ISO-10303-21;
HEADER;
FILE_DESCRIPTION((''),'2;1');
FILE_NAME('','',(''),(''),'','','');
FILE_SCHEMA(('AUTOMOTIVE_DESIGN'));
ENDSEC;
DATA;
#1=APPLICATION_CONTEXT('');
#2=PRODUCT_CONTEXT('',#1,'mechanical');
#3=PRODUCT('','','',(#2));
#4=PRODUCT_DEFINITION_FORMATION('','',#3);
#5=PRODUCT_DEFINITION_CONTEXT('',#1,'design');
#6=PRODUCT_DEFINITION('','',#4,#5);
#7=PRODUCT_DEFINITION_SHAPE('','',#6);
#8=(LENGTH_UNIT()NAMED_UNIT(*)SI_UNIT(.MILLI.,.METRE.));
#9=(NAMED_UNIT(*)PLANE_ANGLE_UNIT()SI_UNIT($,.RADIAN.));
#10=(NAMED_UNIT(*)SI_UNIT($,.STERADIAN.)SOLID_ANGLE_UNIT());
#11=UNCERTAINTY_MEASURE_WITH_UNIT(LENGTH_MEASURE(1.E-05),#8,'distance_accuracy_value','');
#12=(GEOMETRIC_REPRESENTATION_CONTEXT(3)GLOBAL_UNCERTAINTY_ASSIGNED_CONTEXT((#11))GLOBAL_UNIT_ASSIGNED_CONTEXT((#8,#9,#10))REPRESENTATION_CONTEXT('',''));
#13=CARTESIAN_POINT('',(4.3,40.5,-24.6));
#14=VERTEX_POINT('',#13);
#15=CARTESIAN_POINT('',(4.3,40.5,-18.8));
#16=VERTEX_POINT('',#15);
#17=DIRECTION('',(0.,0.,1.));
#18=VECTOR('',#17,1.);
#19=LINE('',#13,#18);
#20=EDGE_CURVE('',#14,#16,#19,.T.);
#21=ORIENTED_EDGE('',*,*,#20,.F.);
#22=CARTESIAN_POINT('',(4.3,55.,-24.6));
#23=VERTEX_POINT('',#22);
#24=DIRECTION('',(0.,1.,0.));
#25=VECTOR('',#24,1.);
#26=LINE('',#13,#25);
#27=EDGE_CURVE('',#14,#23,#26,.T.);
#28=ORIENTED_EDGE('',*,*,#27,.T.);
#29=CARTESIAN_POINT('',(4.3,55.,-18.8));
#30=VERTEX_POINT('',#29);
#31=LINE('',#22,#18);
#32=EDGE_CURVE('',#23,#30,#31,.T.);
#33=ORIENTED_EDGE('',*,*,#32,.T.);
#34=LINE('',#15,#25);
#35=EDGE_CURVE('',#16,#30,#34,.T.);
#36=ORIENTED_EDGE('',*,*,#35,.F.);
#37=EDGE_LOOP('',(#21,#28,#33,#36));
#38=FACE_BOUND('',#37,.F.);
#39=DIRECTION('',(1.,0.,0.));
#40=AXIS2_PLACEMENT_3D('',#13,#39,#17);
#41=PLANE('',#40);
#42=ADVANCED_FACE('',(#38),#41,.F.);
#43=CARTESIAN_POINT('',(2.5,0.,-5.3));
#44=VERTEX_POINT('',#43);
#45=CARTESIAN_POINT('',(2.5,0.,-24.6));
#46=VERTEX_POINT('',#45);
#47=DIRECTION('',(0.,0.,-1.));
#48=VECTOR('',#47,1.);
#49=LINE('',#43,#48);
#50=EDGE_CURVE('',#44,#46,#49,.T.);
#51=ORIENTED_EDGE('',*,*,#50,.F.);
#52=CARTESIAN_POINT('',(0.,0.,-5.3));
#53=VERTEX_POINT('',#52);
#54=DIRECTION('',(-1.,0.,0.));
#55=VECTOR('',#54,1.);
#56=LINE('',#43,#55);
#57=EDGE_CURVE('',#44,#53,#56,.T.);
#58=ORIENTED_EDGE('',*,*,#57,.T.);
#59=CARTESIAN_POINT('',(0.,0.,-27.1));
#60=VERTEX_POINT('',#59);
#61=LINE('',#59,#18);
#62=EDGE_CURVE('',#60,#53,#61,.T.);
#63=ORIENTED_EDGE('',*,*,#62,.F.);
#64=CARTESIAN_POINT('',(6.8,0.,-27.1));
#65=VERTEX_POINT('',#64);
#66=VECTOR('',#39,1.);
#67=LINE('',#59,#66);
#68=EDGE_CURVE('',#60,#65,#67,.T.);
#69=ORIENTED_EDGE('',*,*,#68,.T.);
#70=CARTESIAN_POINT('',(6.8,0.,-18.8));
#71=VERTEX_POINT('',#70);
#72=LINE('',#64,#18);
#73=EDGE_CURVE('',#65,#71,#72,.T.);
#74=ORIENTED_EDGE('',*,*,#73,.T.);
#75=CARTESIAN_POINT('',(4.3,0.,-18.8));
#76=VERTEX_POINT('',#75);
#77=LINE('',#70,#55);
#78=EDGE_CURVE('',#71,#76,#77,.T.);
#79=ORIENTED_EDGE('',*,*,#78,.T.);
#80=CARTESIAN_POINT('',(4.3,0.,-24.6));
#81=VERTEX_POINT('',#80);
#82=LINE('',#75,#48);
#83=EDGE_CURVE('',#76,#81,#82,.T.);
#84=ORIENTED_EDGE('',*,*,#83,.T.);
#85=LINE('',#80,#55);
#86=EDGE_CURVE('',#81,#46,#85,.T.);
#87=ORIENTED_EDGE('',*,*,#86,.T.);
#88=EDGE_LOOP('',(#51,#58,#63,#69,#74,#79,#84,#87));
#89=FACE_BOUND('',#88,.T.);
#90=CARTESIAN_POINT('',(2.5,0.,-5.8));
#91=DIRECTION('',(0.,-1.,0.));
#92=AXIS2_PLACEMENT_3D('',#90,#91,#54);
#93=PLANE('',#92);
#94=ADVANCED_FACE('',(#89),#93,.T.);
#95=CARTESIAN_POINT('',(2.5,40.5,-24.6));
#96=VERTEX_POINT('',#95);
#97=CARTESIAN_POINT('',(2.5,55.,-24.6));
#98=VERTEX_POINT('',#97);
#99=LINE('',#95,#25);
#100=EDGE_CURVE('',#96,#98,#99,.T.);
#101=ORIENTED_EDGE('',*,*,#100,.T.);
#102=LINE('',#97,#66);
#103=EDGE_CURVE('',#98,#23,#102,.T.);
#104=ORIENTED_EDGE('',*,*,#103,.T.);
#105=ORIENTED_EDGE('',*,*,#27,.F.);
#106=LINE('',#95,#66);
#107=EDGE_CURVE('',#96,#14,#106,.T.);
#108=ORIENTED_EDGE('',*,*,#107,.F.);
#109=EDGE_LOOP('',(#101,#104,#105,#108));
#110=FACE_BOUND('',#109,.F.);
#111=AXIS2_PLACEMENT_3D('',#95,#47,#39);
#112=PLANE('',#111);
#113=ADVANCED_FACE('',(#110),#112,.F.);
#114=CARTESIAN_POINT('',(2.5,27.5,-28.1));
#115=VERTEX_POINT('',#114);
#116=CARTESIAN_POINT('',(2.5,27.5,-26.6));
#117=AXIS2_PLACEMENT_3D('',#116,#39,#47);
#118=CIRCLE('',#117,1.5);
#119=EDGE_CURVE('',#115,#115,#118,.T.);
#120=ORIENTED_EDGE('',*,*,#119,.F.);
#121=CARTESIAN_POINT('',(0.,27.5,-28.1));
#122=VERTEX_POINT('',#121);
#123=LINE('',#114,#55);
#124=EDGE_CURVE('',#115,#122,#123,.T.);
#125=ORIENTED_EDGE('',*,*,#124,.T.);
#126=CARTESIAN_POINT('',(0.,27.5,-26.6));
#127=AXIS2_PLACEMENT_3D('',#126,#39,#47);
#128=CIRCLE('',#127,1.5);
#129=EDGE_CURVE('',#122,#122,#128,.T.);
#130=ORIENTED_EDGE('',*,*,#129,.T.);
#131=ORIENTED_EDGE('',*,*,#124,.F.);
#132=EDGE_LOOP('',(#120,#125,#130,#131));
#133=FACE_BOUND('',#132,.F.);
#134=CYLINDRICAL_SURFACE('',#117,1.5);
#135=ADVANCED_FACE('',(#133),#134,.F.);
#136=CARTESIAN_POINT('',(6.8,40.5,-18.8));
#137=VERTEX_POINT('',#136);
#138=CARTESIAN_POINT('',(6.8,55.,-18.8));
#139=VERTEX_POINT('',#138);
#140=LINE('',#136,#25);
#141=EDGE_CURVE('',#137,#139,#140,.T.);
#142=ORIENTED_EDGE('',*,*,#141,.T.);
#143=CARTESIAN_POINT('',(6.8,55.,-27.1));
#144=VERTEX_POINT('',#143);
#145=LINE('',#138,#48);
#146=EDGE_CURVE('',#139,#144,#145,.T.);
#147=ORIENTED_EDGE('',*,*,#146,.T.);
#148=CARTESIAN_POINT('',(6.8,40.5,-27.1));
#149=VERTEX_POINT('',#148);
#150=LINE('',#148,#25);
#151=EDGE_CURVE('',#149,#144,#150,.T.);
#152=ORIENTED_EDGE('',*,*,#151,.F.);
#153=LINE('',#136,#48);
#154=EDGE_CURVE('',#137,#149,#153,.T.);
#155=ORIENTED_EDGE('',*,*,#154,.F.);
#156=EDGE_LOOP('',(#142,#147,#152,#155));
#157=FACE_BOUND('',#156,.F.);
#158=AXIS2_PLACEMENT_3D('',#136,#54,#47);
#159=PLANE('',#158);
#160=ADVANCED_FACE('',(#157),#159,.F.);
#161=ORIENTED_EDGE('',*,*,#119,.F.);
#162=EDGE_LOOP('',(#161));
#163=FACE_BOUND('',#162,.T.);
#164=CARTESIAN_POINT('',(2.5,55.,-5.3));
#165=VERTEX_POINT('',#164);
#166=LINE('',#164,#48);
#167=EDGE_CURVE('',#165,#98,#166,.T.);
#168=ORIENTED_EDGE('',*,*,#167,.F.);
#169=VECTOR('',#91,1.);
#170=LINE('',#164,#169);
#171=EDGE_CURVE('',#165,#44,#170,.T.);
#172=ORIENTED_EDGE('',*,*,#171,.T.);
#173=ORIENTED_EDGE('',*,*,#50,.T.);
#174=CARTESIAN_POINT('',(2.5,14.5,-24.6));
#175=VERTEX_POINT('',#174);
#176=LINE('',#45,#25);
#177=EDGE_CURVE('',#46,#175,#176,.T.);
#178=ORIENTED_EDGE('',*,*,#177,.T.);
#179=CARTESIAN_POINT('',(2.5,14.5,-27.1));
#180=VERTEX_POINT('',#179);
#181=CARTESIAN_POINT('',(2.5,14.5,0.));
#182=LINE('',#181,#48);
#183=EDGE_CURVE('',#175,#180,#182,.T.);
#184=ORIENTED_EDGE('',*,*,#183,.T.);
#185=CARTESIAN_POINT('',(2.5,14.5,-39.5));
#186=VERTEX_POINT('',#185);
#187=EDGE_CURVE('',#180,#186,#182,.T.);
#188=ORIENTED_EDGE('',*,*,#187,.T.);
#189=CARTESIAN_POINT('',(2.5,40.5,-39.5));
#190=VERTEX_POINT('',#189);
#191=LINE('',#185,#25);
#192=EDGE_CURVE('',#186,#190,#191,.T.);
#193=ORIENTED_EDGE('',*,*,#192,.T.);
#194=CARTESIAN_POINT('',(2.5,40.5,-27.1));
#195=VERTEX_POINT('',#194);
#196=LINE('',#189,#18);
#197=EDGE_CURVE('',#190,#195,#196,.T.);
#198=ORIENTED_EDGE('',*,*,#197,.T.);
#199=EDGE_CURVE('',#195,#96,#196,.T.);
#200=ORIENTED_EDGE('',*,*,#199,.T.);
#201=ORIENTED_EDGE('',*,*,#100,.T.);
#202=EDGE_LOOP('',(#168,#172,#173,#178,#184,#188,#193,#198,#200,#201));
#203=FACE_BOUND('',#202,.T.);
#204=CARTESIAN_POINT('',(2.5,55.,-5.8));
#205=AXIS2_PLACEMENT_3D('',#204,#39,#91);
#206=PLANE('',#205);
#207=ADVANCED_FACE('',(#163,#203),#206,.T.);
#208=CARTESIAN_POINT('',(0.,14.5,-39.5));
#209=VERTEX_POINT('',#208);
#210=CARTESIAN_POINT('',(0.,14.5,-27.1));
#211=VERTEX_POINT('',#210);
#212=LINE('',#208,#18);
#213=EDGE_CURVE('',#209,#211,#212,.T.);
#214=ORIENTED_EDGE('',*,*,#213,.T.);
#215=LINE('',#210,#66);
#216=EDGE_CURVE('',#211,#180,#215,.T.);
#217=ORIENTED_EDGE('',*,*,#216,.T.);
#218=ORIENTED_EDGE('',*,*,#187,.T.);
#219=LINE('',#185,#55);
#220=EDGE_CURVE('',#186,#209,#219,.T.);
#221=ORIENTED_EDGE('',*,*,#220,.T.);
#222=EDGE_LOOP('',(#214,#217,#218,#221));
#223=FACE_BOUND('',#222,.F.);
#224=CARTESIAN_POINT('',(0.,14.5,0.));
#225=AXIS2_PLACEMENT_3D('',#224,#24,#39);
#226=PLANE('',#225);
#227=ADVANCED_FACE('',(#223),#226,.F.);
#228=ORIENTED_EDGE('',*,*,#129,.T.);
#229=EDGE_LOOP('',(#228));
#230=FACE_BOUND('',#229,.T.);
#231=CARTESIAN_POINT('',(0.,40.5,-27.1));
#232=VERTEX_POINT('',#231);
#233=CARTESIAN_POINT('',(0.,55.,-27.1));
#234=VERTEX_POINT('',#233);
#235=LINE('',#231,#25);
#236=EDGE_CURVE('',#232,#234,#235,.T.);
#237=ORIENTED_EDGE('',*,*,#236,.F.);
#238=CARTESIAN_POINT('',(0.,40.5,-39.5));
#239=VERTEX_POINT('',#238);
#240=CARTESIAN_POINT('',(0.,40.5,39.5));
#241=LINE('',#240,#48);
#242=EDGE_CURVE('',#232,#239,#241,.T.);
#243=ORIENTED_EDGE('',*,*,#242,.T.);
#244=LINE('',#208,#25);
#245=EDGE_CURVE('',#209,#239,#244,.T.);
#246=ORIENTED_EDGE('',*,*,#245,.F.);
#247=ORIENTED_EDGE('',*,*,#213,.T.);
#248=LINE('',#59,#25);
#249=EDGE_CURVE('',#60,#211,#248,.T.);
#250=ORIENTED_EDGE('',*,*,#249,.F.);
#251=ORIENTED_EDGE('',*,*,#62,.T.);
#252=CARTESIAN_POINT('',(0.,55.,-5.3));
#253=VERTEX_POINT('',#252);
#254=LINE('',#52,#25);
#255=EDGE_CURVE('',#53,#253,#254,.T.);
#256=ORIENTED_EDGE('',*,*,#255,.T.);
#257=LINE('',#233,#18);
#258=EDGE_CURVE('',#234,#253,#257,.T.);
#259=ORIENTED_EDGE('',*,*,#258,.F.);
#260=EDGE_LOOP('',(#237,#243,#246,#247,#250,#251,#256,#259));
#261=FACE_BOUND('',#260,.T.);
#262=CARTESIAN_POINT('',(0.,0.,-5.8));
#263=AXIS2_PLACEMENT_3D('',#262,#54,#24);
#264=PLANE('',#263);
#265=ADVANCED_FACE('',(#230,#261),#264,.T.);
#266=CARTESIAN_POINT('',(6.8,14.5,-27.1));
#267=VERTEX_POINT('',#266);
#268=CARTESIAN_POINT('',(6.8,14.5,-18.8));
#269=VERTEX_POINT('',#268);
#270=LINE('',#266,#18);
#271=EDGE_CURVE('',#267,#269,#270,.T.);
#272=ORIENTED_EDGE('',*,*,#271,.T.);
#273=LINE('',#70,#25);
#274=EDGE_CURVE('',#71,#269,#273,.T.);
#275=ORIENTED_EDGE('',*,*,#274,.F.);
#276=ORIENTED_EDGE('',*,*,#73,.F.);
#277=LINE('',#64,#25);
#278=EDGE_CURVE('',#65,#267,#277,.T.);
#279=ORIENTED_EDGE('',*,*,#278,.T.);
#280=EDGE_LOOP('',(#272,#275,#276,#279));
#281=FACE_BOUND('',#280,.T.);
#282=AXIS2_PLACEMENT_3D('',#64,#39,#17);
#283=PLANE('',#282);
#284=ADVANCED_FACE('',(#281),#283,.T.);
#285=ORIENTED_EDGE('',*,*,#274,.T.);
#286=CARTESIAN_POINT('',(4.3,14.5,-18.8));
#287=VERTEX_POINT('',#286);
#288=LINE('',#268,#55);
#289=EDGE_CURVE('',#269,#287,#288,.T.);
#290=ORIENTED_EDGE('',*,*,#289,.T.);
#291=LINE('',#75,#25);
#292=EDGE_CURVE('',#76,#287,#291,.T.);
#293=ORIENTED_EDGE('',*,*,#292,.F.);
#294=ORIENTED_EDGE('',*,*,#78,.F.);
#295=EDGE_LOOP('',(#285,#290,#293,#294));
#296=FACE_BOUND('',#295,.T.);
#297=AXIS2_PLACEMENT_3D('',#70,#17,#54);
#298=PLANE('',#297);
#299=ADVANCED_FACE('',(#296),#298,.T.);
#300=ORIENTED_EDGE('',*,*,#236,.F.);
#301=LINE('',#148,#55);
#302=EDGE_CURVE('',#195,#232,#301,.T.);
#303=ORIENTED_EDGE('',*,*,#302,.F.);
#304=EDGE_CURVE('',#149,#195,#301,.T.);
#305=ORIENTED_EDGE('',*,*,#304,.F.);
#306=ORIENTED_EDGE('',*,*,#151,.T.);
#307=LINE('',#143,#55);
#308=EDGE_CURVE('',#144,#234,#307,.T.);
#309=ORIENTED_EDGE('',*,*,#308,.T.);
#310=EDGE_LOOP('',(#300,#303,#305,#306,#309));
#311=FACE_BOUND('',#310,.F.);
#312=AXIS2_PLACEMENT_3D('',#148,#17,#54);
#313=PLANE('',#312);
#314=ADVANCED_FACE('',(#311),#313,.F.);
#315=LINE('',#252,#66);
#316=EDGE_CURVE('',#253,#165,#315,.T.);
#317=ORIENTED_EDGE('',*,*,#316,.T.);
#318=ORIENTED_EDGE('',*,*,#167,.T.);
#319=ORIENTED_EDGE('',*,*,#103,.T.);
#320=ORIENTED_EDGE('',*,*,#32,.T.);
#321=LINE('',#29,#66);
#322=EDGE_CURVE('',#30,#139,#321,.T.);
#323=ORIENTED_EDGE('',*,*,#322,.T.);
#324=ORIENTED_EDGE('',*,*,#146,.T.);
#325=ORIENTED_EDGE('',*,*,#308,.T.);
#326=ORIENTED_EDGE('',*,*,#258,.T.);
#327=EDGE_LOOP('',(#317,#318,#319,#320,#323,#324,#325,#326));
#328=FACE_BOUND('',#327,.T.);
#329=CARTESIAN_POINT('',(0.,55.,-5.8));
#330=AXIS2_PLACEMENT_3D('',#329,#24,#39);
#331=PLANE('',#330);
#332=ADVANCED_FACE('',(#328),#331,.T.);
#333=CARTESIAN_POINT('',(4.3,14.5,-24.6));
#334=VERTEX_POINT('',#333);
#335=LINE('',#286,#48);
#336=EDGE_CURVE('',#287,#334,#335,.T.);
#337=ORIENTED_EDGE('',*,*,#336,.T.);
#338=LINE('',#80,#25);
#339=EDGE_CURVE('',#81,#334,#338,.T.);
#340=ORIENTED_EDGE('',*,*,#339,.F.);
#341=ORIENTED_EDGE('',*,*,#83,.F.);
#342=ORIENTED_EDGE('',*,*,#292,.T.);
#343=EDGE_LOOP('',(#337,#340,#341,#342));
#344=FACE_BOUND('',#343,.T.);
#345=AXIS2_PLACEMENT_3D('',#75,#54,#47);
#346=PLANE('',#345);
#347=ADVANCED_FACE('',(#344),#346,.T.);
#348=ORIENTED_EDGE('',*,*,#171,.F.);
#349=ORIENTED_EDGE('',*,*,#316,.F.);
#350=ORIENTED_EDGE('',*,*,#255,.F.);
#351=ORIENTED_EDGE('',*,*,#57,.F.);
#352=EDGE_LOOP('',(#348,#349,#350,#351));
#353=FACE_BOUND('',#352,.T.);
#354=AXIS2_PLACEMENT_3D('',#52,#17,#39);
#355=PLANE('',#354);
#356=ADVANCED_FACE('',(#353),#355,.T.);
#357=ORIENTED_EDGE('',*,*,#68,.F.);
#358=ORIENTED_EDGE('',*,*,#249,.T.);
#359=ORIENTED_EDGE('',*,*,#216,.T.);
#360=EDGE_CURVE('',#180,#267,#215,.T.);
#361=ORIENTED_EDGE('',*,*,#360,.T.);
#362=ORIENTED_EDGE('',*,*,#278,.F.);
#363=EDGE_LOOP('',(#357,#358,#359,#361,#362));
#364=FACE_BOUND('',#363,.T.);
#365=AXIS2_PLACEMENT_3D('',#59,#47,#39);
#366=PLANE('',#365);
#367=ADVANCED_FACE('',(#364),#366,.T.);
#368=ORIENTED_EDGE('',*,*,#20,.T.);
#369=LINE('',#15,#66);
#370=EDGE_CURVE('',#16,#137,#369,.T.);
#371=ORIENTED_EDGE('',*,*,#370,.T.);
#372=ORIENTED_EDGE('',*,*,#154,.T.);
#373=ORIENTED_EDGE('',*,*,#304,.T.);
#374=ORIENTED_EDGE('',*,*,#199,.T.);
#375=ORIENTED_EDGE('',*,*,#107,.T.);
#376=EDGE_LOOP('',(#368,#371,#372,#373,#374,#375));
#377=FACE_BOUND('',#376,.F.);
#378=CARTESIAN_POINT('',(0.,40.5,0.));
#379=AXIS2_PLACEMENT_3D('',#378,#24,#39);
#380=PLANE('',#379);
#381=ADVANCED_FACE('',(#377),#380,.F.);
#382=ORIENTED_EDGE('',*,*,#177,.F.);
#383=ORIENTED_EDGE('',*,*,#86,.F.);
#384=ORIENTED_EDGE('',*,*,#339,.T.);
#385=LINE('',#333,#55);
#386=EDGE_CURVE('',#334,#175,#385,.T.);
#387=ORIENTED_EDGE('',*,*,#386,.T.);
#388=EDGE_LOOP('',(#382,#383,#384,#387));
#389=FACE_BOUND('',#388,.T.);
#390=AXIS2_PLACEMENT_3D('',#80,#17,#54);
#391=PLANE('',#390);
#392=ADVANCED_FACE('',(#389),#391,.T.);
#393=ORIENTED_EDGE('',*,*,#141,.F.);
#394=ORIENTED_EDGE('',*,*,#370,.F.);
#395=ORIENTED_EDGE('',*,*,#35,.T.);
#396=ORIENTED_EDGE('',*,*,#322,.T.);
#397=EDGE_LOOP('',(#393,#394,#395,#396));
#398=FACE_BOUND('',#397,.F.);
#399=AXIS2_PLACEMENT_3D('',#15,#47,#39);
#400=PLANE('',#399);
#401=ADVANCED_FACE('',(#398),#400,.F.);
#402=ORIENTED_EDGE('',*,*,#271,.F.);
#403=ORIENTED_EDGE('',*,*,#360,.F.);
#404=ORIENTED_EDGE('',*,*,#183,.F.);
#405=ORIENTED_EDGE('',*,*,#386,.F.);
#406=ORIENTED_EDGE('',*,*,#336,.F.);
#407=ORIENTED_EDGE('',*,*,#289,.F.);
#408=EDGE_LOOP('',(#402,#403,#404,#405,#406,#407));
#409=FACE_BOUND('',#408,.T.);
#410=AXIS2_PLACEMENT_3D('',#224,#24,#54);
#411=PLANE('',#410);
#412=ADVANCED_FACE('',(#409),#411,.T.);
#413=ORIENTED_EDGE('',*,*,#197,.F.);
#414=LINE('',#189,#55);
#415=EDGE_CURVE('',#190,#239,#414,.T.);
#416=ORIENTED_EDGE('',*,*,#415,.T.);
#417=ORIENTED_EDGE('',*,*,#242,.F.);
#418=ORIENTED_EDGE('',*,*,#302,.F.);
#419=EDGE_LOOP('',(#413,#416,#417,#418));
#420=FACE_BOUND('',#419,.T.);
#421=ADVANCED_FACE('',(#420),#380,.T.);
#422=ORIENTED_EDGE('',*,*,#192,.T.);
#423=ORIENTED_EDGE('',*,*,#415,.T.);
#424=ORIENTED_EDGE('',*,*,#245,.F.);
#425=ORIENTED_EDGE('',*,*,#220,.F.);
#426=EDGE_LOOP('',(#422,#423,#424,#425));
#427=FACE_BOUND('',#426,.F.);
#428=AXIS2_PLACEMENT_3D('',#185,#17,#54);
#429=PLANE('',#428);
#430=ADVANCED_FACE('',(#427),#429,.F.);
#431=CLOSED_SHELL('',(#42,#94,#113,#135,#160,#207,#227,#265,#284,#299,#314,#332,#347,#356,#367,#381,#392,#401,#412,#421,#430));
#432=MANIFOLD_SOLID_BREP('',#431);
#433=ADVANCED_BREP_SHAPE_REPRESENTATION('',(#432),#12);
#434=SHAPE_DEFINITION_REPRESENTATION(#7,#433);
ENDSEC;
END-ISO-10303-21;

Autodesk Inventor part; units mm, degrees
ref_plane "YZ Plane" through (0, 0, 0) normal (1, 0, 0) x (0, 1, 0)
ref_plane "XZ Plane" through (0, 0, 0) normal (0, 1, 0) x (-1, 0, 0)
ref_plane "XY Plane" through (0, 0, 0) normal (0, 0, 1) x (1, 0, 0)
sketch "Sketch1" plane through (0, 0, 0) normal (0, 1, 0) x (-1, 0, 0)
  line L0 (0, 27.1) -> (0, -27.1)
  line L1 (0, 27.1) -> (-6.8, 27.1)
  line L2 (-6.8, 27.1) -> (-6.8, 18.8)
  line L3 (-6.8, 18.8) -> (-4.3, 18.8)
  line L4 (-4.3, 18.8) -> (-4.3, 24.6)
  line L5 (-4.3, 24.6) -> (-2.5, 24.6)
  line L6 (-2.5, 24.6) -> (-2.5, 0)
  line L7 (0, -27.1) -> (-6.8, -27.1)
  line L8 (-6.8, -27.1) -> (-6.8, -18.8)
  line L9 (-6.8, -18.8) -> (-4.3, -18.8)
  line L10 (-4.3, -18.8) -> (-4.3, -24.6)
  line L11 (-4.3, -24.6) -> (-2.5, -24.6)
  line L12 (-2.5, -24.6) -> (-2.5, 0)
  point P0 (0, 0)
  dimension "d0" = 54.2
  dimension "d1" = 6.8
  dimension "d2" = 8.3
  dimension "d3" = 2.5
  dimension "d4" = 5.8
  dimension "d5" = 1.8
  dimension "d6" = 8.3
  dimension "d7" = 5.8
extrude "Extrusion1" add sketch "Sketch1" along normal blind 14.5
sketch "Sketch2" plane through (0, 14.5, 0) normal (0, 1, 0) x (1, 0, 0)
  line L0 (2.5, -24.6) -> (2.5, 24.6) projected
  line L1 (2.5, 0) -> (2.5, 39.5)
  line L2 (2.5, 39.5) -> (0, 39.5)
  line L3 (0, 39.5) -> (0, 0)
  line L4 (0, 0) -> (0, -39.5)
  line L5 (0, 27.1) -> (0, -27.1) projected
  line L6 (0, -39.5) -> (2.5, -39.5)
  line L7 (2.5, -39.5) -> (2.5, 0)
  dimension "d10" = 39.5
  dimension "d11" = 39.5
extrude "Extrusion2" add sketch "Sketch2" along normal blind 26
sketch "Sketch3" plane through (0, 40.5, 0) normal (0, 1, 0) x (1, 0, 0)
  line L0 (2.5, -24.6) -> (2.5, 24.6) projected
  line L1 (2.5, 0) -> (2.5, 24.6558)
  line L2 (0, 27.1) -> (0, -27.1) projected
  line L3 (4.3, -24.6) -> (2.5, -24.6) projected
  line L4 (6.8, -18.8) -> (4.3, -18.8) projected
  line L5 (4.3, -24.6) -> (4.3, -18.8)
  line L6 (4.3, -18.8) -> (6.8, -18.8)
  line L7 (6.8, -18.8) -> (6.8, -27.1)
  line L8 (6.8, -27.1) -> (2.5, -27.1)
  line L9 (2.5, 0) -> (2.5, 24.6558)
  line L10 (2.5, 24.6) -> (4.3, 24.6) projected
  line L11 (4.3, 18.8) -> (6.8, 18.8) projected
  line L12 (4.3, 24.6) -> (4.3, 18.8)
  line L13 (4.3, 18.8) -> (6.8, 18.8)
  line L14 (6.8, 18.8) -> (6.8, 27.1)
  line L15 (6.8, 27.1) -> (0, 27.1)
  line L16 (0, 27.1) -> (0, -27.1)
  line L17 (6.8, -27.1) -> (0, -27.1)
  line L18 (4.3, -24.6) -> (2.5, -24.6)
  point P0 (0, 0)
extrude "Extrusion3" add sketch "Sketch3" along normal blind 14.5
sketch "Sketch4" plane through (2.5, 0, 24.6) normal (1, 0, 0) x (0, 0, -1)
  line L0 (64.1, 14.5) -> (64.1, 40.5) projected
  line L1 (-14.9, 14.5) -> (-14.9, 40.5) projected
  line L2 (-14.9, 27.5) -> (-1.5, 27.5)
  circle A0 centre (-1.5, 27.5) radius 1.5
  line L3 (64.1, 14.5) -> (64.1, 40.5) projected
  line L4 (64.1, 27.5) -> (51.2, 27.5)
  circle A1 centre (51.2, 27.5) radius 1.5
  point P0 (24.6, 0)
  dimension "d18" = 13.4
  dimension "d19" = 3
  dimension "d31" = 12.9
extrude "Extrusion4" cut sketch "Sketch4" against normal blind 4.5
sketch "Sketch5" plane through (0, 0, -27.1) normal (-1, 0, 0) x (0, 0, 1)
  line L0 (27.1, 0) -> (21.3, 0)
  line L1 (51.7, 0) -> (2.5, 0) projected
  line L2 (21.3, 0) -> (21.3, 55)
  line L3 (51.7, 55) -> (2.5, 55) projected
  line L4 (27.1, 55) -> (32.9, 55)
  line L5 (32.9, 55) -> (32.9, 0)
  line L6 (32.9, 0) -> (27.1, 0)
  dimension "d22" = 5.8
  dimension "d23" = 5.8
extrude "Extrusion5" cut sketch "Sketch5" against normal blind 62.3875
sketch "Sketch6" plane through (0, 0, 5.8) normal (0, 0, -1) x (-1, 0, 0)
  point P0 (0, 0)
sketch "Sketch7" plane through (0, 14.5, 27.1) normal (-1, 0, 0) x (0, 0, 1)
  line L0 (-21.3, -14.5) -> (0, -14.5) projected
  line L1 (-21.3, -14.5) -> (18.5957, -14.5)
  line L2 (18.5957, -14.5) -> (18.5957, 49.9868)
  line L3 (18.5957, 49.9868) -> (-21.3, 49.9868)
  line L4 (-21.3, 49.9868) -> (-21.3, -14.5)
  point P0 (-27.1, -14.5)
extrude "Extrusion6" cut sketch "Sketch7" against normal blind 62.3875
sketch "Sketch8" plane through (0, 0, -5.8) normal (0, 0, 1) x (1, 0, 0)
  line L0 (0, 55) -> (2.5, 55)
  line L1 (2.5, 0) -> (0, 0) projected
  line L2 (2.5, 55) -> (2.5, 0)
  line L3 (2.5, 0) -> (0, 0)
  line L4 (0, 0) -> (0, 55)
extrude "Extrusion7" add sketch "Sketch8" along normal blind 0.5
properties part number "cam_holder3"
